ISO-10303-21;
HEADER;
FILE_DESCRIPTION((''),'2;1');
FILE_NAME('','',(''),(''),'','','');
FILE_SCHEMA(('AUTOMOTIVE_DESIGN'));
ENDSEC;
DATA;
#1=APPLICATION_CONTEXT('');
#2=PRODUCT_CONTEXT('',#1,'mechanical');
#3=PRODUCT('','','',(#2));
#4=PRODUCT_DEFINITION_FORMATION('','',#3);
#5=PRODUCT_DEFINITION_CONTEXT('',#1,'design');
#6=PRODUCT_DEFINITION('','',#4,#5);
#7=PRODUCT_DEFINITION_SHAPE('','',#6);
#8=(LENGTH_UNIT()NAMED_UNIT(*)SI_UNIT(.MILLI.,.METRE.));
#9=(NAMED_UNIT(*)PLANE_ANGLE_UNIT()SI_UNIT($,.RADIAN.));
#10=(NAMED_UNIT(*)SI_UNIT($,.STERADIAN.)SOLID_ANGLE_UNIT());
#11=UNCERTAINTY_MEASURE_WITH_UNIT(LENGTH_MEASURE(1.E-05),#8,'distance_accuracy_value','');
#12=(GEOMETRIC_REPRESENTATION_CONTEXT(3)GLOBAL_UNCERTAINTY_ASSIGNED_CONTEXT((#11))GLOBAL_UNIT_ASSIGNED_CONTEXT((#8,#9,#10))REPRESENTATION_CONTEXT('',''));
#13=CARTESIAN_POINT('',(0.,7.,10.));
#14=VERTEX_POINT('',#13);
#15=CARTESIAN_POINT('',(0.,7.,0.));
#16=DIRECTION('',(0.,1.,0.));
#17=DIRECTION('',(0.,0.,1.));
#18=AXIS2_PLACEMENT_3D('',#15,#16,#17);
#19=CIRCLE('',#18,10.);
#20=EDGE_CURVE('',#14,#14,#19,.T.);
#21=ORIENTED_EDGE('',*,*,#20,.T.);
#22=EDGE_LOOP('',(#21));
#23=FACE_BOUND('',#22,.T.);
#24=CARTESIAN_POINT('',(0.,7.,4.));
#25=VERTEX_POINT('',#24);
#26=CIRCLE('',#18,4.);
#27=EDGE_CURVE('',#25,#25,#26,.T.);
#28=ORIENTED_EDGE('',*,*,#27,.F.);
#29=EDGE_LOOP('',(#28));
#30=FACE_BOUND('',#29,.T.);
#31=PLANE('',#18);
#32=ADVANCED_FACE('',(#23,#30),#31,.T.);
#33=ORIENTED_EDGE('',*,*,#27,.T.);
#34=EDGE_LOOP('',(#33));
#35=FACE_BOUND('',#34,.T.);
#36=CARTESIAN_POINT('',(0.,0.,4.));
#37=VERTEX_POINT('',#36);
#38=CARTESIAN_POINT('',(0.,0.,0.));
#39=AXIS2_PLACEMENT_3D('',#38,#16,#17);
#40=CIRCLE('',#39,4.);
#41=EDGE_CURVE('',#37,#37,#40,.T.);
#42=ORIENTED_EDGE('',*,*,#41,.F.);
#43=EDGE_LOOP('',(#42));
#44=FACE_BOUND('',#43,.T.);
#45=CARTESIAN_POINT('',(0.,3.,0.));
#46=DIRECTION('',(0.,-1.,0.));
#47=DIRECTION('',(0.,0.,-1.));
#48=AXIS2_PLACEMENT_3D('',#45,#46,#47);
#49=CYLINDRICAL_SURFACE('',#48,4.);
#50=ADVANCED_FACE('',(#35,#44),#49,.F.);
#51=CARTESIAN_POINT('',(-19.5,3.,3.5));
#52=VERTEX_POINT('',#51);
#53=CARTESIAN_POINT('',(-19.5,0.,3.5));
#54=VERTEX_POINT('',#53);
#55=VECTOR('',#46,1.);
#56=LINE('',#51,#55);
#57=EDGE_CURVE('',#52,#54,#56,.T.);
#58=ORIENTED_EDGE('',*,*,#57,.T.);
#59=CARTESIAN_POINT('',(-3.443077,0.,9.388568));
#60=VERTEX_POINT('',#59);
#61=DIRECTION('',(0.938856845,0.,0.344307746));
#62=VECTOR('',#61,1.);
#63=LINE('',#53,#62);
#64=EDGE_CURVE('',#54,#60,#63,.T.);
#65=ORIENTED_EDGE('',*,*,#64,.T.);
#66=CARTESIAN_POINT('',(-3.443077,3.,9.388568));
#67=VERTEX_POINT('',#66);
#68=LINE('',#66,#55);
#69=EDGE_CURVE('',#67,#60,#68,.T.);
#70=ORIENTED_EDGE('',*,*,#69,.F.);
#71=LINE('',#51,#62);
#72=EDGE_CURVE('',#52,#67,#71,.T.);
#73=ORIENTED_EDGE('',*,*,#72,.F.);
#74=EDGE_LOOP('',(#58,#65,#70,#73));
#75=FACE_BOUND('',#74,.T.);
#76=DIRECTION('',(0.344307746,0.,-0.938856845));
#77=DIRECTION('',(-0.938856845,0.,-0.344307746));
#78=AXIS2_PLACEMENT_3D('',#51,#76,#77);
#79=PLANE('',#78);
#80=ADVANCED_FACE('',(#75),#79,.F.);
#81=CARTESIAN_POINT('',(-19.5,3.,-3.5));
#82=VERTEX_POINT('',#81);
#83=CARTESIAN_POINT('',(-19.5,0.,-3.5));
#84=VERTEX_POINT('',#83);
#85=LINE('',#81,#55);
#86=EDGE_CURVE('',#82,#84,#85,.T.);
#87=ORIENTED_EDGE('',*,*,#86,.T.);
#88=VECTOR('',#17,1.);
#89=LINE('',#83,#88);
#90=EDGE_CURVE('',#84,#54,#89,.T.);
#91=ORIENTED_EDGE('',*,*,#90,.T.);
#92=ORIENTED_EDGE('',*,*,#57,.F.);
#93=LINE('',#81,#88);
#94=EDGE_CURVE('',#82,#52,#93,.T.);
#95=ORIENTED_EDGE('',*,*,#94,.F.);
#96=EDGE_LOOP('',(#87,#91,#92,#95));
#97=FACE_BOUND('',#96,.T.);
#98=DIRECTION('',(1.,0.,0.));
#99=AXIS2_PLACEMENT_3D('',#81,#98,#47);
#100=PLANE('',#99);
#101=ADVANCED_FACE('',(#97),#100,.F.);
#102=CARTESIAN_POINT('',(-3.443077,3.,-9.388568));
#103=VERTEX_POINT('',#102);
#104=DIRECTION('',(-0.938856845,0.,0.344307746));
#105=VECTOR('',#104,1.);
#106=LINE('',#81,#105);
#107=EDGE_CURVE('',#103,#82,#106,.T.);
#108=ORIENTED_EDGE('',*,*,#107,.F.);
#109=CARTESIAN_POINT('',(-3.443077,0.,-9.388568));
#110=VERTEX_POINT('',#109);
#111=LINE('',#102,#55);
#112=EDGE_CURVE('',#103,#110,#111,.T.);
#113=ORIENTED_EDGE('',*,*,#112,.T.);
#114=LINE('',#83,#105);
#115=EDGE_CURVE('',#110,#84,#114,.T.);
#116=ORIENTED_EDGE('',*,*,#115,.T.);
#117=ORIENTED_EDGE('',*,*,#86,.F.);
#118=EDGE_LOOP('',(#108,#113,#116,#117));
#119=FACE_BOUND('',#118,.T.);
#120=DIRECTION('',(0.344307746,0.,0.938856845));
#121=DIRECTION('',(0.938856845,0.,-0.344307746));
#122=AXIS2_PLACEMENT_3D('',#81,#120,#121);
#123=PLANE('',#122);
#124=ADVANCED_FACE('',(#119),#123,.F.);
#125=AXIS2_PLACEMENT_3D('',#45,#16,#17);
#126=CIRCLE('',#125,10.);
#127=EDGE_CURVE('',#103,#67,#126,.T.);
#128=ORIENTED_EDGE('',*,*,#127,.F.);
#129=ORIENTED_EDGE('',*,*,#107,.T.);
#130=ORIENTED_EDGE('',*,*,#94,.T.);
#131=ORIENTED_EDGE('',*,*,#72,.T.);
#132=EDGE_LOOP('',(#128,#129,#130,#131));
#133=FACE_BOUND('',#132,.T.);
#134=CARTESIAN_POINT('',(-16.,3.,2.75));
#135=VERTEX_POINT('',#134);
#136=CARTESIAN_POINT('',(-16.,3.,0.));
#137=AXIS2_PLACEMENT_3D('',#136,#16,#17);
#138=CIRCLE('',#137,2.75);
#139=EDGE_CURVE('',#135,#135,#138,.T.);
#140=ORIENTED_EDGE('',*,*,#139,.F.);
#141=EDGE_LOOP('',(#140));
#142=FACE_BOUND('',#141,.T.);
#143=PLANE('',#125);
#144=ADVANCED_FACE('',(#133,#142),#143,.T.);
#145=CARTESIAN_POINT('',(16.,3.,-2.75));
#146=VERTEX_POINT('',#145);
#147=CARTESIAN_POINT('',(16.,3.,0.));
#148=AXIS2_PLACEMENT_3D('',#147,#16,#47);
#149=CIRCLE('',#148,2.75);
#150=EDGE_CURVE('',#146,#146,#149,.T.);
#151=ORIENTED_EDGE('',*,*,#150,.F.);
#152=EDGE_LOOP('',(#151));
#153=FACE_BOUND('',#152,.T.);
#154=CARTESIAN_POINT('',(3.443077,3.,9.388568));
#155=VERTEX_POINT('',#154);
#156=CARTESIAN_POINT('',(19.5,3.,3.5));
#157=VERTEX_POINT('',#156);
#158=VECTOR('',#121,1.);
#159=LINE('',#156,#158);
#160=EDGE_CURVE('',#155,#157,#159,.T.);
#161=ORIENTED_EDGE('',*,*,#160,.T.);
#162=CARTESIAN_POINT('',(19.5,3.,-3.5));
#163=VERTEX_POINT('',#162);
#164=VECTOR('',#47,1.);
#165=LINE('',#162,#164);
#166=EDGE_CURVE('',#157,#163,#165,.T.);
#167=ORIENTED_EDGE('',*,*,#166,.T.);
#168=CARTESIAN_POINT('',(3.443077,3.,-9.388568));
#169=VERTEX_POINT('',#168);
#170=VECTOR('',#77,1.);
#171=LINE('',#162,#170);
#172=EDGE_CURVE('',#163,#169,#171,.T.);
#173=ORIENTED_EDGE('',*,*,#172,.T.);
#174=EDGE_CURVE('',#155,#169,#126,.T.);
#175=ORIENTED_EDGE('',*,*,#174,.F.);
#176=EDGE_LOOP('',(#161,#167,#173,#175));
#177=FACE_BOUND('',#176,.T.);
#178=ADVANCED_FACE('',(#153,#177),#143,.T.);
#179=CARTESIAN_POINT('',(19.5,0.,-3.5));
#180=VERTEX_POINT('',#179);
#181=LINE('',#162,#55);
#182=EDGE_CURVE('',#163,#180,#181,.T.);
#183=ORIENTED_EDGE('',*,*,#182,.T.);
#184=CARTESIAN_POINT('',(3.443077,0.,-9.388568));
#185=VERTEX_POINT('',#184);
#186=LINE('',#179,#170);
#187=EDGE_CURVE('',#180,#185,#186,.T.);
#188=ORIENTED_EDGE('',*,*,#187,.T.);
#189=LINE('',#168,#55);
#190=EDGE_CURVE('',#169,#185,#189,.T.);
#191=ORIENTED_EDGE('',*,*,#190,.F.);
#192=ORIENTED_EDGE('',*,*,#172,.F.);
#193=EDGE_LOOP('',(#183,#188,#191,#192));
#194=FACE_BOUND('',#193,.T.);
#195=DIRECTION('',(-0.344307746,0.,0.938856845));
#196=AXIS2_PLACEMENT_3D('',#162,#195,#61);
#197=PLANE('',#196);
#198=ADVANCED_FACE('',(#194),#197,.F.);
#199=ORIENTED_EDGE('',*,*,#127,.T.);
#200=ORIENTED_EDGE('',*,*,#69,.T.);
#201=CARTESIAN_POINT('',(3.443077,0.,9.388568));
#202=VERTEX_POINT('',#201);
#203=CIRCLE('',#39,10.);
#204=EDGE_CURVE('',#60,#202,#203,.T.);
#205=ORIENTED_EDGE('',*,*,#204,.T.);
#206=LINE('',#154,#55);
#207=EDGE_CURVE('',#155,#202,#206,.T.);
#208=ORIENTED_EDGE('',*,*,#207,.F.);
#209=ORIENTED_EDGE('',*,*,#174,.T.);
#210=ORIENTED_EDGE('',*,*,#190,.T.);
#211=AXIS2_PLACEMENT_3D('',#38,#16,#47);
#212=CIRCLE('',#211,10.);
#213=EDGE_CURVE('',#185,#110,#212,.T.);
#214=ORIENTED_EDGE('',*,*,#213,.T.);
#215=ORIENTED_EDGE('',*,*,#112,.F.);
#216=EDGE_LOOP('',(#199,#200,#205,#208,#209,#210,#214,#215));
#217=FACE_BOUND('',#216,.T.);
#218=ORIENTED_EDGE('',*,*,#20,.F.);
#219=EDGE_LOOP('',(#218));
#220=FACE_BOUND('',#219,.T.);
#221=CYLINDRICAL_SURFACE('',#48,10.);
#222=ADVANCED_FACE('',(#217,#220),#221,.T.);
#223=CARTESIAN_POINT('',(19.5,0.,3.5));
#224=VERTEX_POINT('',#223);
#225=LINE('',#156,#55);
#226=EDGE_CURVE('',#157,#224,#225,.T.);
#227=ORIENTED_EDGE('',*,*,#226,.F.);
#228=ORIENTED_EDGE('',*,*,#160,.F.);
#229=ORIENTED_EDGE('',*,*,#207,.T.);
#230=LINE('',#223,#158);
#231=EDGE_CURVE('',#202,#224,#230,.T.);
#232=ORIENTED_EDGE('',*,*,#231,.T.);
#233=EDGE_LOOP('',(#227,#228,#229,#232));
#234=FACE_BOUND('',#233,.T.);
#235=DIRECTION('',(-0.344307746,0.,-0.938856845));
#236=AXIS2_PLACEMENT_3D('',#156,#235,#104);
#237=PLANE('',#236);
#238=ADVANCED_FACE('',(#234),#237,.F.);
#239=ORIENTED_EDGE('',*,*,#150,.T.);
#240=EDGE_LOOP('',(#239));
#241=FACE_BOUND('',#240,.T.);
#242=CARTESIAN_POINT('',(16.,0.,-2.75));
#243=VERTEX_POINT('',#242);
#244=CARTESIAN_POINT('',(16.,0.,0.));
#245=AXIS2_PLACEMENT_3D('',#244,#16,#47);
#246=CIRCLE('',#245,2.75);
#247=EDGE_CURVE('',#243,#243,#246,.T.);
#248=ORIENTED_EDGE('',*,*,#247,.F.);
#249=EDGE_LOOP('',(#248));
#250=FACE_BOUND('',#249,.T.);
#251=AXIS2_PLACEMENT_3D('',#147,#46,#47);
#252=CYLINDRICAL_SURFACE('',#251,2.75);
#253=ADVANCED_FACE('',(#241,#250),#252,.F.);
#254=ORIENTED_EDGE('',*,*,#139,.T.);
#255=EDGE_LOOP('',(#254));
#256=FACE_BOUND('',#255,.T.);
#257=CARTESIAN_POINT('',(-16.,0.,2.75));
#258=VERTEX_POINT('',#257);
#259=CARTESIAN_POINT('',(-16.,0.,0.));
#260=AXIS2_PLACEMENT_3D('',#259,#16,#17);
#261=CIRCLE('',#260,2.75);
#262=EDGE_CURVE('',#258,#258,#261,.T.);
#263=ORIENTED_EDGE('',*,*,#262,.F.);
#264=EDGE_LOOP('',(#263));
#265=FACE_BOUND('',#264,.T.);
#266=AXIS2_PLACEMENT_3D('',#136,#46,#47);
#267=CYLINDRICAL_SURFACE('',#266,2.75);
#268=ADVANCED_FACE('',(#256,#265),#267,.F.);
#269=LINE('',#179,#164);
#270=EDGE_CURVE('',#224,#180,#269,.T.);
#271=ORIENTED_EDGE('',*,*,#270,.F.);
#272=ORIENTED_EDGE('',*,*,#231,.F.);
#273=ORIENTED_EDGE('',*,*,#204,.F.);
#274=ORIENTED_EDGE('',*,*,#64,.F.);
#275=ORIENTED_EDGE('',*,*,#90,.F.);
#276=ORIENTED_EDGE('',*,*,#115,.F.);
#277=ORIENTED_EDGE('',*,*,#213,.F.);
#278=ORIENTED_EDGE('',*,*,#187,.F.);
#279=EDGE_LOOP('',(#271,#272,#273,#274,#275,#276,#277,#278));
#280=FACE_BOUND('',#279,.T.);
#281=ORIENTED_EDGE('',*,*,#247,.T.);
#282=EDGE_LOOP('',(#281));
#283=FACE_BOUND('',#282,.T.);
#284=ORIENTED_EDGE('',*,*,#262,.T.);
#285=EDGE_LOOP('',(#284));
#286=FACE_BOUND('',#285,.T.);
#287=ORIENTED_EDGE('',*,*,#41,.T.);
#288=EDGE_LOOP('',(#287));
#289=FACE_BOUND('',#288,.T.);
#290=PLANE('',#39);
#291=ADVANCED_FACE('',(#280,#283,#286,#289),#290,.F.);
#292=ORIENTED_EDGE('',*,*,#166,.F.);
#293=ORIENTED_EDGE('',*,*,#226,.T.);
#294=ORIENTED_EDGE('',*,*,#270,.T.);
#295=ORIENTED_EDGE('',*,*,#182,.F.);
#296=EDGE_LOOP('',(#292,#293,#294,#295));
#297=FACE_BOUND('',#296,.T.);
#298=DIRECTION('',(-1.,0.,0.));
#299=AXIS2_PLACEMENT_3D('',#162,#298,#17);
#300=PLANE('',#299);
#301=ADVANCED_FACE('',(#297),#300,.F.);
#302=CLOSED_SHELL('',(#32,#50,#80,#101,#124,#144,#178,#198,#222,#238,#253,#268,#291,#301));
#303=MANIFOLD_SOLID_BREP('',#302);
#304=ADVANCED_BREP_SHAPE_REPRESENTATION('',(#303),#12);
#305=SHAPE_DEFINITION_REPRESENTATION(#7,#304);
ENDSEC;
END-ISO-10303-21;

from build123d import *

# Parameters (mm, degrees)
SKETCH_1_R      = 2.75
SKETCH_1_R_2    = 4
EXTRUDE_1_DEPTH = 3
SKETCH_2_R      = 10
SKETCH_2_R_2    = 4
EXTRUDE_2_DEPTH = 4


with BuildPart() as part:
    # 草图1 → 凸台-拉伸1 (new body)
    with BuildSketch(Plane(origin=(0, 0, 0), x_dir=(1, 0, 0), z_dir=(0, 1, 0))):
        with BuildLine():
            Line((-19.5, 3.5), (-19.5, -3.5))
            Line((-19.5, -3.5), (-3.443077457, -9.388568455))
            ThreePointArc((-3.443077457, -9.388568455), (0, -10), (3.443077457, -9.388568455))
            Line((3.443077457, -9.388568455), (19.5, -3.5))
            Line((19.5, -3.5), (19.5, 3.5))
            Line((19.5, 3.5), (3.443077457, 9.388568455))
            ThreePointArc((3.443077457, 9.388568455), (0, 10), (-3.443077457, 9.388568455))
            Line((-3.443077457, 9.388568455), (-19.5, 3.5))
        make_face()
        with Locations(Location((-16, 0, 0), (0, 0, 270))):
            Circle(SKETCH_1_R, mode=Mode.SUBTRACT)
        with Locations(Location((0, 0, 0), (0, 0, 270))):
            Circle(SKETCH_1_R_2, mode=Mode.SUBTRACT)
        with Locations(Location((16, 0, 0), (0, 0, 90))):
            Circle(SKETCH_1_R, mode=Mode.SUBTRACT)
    extrude(amount=EXTRUDE_1_DEPTH)

    # 草图2 → 凸台-拉伸2 (add)
    with BuildSketch(Plane(origin=(0, 3, 0), x_dir=(1, 0, 0), z_dir=(0, 1, 0))):
        with Locations(Location((0, 0, 0), (0, 0, 110.139543726))):
            Circle(SKETCH_2_R)
        with Locations(Location((0, 0, 0), (0, 0, 270))):
            Circle(SKETCH_2_R_2, mode=Mode.SUBTRACT)
    extrude(amount=EXTRUDE_2_DEPTH)


solid = part.part
